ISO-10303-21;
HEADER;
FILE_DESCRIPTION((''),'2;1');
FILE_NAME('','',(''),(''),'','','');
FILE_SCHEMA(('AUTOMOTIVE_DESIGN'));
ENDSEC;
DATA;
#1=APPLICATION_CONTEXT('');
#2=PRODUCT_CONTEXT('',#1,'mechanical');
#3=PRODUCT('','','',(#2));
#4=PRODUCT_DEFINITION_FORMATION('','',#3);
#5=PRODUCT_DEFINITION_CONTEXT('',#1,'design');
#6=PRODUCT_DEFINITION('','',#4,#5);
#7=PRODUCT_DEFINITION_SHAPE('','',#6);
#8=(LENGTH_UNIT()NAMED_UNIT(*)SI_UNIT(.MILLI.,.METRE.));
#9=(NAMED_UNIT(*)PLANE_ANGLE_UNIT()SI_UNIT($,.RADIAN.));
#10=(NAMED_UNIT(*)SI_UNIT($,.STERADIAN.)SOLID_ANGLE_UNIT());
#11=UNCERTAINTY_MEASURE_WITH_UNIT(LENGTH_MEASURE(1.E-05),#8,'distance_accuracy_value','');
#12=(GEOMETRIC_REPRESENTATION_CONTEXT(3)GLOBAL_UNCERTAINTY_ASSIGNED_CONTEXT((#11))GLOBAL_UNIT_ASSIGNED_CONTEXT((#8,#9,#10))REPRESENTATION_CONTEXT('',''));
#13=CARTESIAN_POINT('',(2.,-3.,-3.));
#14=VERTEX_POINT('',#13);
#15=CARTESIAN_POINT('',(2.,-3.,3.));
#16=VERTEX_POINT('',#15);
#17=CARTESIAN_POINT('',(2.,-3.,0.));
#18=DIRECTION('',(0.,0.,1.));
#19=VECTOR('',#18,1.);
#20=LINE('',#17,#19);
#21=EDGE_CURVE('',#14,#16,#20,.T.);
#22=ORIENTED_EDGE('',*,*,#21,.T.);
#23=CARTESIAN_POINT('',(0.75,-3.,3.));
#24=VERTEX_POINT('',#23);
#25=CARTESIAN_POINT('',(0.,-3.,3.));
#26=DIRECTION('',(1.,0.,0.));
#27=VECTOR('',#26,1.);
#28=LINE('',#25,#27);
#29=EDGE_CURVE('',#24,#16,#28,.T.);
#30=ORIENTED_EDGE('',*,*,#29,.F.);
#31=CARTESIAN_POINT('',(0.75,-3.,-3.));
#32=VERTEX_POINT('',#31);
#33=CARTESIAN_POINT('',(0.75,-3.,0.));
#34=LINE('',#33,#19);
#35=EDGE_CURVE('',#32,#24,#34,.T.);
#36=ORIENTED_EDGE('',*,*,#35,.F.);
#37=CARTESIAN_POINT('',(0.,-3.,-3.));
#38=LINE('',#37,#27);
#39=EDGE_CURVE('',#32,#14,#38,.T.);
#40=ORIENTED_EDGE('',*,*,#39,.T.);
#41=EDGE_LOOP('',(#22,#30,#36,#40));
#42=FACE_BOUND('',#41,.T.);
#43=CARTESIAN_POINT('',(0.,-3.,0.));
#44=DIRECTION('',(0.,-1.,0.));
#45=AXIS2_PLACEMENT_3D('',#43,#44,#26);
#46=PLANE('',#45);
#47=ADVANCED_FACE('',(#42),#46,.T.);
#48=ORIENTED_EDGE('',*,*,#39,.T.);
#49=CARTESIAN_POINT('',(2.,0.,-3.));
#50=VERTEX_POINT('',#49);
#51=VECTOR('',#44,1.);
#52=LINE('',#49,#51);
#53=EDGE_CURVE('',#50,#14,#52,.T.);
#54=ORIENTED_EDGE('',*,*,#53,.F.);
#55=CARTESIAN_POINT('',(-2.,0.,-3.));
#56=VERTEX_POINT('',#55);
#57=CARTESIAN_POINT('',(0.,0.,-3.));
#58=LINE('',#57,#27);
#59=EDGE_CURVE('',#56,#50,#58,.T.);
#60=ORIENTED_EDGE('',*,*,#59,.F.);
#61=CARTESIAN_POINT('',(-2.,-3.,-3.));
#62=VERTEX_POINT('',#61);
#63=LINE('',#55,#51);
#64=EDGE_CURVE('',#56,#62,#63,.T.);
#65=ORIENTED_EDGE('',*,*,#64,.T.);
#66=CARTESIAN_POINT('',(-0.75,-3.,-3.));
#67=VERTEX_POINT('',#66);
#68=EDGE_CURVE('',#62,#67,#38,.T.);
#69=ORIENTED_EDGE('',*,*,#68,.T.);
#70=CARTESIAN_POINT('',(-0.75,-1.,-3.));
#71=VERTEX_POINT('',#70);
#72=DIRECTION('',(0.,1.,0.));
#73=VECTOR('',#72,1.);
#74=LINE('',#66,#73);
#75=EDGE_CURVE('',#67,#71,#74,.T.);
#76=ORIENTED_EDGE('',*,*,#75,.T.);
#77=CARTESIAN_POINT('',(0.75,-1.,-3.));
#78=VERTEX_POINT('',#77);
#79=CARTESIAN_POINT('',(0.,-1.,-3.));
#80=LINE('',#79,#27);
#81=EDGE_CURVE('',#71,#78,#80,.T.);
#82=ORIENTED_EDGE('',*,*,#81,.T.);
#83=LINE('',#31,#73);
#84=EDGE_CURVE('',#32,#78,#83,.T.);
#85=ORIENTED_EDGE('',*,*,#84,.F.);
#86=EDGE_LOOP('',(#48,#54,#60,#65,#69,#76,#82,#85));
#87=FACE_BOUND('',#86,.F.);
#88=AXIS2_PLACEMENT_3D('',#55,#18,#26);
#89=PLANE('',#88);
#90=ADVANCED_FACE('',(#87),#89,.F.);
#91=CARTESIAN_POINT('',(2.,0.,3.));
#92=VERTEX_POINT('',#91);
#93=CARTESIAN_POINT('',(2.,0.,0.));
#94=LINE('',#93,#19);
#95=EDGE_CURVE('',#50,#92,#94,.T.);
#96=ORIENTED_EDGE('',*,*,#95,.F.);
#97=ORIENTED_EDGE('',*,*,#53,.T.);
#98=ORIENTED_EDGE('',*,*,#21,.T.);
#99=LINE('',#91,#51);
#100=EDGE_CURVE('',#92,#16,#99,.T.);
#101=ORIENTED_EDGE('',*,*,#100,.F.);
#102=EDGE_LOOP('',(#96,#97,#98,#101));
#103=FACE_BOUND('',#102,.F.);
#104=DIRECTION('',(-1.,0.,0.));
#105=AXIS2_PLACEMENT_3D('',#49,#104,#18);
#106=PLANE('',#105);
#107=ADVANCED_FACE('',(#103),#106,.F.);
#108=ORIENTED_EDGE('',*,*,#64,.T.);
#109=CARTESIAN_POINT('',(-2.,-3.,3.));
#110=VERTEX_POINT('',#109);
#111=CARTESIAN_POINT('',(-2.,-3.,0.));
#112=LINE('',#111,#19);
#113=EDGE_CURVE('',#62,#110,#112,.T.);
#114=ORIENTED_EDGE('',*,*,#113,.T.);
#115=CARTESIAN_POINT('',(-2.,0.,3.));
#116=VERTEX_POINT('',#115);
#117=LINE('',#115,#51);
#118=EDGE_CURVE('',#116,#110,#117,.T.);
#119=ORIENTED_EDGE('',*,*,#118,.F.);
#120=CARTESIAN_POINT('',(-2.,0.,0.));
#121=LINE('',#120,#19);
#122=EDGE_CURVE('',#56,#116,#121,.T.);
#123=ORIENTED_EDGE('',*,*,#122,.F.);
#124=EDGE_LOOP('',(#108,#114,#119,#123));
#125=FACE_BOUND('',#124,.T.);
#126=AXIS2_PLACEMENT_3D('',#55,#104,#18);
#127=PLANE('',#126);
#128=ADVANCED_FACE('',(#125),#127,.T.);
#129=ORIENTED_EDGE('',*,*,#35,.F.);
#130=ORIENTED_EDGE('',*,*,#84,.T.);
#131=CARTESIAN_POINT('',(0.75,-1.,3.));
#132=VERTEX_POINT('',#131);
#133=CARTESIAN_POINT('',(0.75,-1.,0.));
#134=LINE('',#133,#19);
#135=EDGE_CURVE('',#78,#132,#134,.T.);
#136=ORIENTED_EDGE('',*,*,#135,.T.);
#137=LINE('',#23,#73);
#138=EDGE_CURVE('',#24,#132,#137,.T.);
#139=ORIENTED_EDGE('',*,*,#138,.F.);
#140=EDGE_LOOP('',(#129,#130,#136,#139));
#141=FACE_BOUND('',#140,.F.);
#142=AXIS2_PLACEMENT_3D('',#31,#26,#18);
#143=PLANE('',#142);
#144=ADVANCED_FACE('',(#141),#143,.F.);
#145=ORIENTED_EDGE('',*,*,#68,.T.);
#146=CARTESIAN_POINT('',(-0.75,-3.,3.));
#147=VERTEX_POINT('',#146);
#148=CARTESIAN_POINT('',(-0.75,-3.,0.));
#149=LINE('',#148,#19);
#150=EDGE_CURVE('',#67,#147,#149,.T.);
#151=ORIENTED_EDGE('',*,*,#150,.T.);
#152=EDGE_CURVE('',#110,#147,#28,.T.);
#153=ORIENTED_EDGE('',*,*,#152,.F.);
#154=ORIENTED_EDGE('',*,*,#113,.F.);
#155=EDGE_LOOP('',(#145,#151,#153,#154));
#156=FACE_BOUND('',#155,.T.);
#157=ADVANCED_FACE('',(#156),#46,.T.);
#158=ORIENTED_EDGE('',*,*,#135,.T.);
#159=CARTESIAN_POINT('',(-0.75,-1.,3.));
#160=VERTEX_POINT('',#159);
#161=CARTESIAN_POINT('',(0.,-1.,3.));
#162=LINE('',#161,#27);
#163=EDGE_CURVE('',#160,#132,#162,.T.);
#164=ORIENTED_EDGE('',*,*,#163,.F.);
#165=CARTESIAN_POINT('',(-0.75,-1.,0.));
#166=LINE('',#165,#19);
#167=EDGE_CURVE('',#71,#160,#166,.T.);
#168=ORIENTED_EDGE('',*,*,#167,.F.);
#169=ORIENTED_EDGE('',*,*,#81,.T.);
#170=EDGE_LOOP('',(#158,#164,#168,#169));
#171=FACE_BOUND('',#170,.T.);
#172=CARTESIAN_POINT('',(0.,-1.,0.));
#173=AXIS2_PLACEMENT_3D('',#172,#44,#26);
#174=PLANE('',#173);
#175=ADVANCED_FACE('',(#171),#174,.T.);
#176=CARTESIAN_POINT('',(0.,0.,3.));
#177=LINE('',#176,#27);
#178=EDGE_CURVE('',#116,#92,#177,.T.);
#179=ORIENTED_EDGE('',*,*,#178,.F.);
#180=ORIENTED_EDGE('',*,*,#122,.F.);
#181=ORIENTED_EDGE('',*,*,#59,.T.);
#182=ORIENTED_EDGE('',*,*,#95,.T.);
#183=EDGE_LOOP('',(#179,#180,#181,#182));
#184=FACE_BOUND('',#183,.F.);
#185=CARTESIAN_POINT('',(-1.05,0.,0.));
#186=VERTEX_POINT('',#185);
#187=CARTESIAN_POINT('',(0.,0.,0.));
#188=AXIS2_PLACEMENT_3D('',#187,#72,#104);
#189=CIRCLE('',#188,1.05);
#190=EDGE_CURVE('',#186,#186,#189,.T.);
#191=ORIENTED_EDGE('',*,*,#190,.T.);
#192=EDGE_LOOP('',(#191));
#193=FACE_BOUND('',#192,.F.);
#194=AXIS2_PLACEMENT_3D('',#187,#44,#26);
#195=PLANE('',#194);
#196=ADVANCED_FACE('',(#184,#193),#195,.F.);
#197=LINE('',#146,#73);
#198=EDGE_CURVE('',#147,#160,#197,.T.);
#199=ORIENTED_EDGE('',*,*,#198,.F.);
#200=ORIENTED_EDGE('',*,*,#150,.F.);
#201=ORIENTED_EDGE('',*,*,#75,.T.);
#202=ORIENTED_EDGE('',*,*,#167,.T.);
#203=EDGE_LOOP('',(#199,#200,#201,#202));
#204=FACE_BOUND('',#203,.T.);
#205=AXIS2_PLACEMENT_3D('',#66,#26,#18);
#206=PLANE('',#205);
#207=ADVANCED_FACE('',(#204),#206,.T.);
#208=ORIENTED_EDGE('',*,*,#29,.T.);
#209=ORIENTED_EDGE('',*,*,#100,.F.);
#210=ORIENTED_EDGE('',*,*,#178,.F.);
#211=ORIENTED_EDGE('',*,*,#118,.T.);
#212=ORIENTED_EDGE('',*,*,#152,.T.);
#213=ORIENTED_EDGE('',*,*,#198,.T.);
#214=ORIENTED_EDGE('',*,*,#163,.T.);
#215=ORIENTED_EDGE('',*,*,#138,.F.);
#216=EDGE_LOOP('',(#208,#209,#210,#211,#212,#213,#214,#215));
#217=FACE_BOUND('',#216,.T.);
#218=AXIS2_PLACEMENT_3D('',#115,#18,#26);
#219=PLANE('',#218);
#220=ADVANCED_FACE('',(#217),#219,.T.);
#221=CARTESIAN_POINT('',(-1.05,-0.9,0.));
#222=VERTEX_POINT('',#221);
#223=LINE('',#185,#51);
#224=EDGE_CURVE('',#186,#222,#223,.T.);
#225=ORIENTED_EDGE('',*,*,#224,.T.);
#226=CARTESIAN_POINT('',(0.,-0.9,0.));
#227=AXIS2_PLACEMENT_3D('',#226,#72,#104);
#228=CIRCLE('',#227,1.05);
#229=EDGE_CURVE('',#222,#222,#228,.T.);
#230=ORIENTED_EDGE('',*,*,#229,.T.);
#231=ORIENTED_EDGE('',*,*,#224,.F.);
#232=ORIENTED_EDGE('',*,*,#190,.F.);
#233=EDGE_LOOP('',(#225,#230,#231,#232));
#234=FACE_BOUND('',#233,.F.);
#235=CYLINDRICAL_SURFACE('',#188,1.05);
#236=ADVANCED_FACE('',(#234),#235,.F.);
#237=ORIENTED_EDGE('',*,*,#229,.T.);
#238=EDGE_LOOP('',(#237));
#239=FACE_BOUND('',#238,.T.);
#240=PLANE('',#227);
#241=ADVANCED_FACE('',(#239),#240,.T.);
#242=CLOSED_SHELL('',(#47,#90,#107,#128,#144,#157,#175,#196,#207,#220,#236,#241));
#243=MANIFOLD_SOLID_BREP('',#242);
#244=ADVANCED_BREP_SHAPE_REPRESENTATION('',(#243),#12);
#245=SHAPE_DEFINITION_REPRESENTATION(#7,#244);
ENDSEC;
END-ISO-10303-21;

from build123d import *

# Parameters (mm, degrees)
F0_W     = 4
F0_H     = 6
F1_DEPTH = 3
F2_W     = 1.5
F2_H     = 6
F3_DEPTH = 2
F4_R     = 1.05
F5_DEPTH = 0.9


with BuildPart() as f1:
    # F0 (on Front) → F1 (new body)
    with BuildSketch(Plane.XZ):
        Rectangle(F0_W, F0_H)
    extrude(amount=F1_DEPTH)

    # F2 (on face) → F3 (cut)
    with BuildSketch(Plane.XZ.offset(3)):
        Rectangle(F2_W, F2_H)
    extrude(amount=-F3_DEPTH, mode=Mode.SUBTRACT)

    # F4 (on face) → F5 (cut)
    with BuildSketch(Plane(origin=(0, 0, 0), x_dir=(-1, 0, 0), z_dir=(0, 1, 0))):
        Circle(F4_R)
    extrude(amount=-F5_DEPTH, mode=Mode.SUBTRACT)


solid = f1.part
